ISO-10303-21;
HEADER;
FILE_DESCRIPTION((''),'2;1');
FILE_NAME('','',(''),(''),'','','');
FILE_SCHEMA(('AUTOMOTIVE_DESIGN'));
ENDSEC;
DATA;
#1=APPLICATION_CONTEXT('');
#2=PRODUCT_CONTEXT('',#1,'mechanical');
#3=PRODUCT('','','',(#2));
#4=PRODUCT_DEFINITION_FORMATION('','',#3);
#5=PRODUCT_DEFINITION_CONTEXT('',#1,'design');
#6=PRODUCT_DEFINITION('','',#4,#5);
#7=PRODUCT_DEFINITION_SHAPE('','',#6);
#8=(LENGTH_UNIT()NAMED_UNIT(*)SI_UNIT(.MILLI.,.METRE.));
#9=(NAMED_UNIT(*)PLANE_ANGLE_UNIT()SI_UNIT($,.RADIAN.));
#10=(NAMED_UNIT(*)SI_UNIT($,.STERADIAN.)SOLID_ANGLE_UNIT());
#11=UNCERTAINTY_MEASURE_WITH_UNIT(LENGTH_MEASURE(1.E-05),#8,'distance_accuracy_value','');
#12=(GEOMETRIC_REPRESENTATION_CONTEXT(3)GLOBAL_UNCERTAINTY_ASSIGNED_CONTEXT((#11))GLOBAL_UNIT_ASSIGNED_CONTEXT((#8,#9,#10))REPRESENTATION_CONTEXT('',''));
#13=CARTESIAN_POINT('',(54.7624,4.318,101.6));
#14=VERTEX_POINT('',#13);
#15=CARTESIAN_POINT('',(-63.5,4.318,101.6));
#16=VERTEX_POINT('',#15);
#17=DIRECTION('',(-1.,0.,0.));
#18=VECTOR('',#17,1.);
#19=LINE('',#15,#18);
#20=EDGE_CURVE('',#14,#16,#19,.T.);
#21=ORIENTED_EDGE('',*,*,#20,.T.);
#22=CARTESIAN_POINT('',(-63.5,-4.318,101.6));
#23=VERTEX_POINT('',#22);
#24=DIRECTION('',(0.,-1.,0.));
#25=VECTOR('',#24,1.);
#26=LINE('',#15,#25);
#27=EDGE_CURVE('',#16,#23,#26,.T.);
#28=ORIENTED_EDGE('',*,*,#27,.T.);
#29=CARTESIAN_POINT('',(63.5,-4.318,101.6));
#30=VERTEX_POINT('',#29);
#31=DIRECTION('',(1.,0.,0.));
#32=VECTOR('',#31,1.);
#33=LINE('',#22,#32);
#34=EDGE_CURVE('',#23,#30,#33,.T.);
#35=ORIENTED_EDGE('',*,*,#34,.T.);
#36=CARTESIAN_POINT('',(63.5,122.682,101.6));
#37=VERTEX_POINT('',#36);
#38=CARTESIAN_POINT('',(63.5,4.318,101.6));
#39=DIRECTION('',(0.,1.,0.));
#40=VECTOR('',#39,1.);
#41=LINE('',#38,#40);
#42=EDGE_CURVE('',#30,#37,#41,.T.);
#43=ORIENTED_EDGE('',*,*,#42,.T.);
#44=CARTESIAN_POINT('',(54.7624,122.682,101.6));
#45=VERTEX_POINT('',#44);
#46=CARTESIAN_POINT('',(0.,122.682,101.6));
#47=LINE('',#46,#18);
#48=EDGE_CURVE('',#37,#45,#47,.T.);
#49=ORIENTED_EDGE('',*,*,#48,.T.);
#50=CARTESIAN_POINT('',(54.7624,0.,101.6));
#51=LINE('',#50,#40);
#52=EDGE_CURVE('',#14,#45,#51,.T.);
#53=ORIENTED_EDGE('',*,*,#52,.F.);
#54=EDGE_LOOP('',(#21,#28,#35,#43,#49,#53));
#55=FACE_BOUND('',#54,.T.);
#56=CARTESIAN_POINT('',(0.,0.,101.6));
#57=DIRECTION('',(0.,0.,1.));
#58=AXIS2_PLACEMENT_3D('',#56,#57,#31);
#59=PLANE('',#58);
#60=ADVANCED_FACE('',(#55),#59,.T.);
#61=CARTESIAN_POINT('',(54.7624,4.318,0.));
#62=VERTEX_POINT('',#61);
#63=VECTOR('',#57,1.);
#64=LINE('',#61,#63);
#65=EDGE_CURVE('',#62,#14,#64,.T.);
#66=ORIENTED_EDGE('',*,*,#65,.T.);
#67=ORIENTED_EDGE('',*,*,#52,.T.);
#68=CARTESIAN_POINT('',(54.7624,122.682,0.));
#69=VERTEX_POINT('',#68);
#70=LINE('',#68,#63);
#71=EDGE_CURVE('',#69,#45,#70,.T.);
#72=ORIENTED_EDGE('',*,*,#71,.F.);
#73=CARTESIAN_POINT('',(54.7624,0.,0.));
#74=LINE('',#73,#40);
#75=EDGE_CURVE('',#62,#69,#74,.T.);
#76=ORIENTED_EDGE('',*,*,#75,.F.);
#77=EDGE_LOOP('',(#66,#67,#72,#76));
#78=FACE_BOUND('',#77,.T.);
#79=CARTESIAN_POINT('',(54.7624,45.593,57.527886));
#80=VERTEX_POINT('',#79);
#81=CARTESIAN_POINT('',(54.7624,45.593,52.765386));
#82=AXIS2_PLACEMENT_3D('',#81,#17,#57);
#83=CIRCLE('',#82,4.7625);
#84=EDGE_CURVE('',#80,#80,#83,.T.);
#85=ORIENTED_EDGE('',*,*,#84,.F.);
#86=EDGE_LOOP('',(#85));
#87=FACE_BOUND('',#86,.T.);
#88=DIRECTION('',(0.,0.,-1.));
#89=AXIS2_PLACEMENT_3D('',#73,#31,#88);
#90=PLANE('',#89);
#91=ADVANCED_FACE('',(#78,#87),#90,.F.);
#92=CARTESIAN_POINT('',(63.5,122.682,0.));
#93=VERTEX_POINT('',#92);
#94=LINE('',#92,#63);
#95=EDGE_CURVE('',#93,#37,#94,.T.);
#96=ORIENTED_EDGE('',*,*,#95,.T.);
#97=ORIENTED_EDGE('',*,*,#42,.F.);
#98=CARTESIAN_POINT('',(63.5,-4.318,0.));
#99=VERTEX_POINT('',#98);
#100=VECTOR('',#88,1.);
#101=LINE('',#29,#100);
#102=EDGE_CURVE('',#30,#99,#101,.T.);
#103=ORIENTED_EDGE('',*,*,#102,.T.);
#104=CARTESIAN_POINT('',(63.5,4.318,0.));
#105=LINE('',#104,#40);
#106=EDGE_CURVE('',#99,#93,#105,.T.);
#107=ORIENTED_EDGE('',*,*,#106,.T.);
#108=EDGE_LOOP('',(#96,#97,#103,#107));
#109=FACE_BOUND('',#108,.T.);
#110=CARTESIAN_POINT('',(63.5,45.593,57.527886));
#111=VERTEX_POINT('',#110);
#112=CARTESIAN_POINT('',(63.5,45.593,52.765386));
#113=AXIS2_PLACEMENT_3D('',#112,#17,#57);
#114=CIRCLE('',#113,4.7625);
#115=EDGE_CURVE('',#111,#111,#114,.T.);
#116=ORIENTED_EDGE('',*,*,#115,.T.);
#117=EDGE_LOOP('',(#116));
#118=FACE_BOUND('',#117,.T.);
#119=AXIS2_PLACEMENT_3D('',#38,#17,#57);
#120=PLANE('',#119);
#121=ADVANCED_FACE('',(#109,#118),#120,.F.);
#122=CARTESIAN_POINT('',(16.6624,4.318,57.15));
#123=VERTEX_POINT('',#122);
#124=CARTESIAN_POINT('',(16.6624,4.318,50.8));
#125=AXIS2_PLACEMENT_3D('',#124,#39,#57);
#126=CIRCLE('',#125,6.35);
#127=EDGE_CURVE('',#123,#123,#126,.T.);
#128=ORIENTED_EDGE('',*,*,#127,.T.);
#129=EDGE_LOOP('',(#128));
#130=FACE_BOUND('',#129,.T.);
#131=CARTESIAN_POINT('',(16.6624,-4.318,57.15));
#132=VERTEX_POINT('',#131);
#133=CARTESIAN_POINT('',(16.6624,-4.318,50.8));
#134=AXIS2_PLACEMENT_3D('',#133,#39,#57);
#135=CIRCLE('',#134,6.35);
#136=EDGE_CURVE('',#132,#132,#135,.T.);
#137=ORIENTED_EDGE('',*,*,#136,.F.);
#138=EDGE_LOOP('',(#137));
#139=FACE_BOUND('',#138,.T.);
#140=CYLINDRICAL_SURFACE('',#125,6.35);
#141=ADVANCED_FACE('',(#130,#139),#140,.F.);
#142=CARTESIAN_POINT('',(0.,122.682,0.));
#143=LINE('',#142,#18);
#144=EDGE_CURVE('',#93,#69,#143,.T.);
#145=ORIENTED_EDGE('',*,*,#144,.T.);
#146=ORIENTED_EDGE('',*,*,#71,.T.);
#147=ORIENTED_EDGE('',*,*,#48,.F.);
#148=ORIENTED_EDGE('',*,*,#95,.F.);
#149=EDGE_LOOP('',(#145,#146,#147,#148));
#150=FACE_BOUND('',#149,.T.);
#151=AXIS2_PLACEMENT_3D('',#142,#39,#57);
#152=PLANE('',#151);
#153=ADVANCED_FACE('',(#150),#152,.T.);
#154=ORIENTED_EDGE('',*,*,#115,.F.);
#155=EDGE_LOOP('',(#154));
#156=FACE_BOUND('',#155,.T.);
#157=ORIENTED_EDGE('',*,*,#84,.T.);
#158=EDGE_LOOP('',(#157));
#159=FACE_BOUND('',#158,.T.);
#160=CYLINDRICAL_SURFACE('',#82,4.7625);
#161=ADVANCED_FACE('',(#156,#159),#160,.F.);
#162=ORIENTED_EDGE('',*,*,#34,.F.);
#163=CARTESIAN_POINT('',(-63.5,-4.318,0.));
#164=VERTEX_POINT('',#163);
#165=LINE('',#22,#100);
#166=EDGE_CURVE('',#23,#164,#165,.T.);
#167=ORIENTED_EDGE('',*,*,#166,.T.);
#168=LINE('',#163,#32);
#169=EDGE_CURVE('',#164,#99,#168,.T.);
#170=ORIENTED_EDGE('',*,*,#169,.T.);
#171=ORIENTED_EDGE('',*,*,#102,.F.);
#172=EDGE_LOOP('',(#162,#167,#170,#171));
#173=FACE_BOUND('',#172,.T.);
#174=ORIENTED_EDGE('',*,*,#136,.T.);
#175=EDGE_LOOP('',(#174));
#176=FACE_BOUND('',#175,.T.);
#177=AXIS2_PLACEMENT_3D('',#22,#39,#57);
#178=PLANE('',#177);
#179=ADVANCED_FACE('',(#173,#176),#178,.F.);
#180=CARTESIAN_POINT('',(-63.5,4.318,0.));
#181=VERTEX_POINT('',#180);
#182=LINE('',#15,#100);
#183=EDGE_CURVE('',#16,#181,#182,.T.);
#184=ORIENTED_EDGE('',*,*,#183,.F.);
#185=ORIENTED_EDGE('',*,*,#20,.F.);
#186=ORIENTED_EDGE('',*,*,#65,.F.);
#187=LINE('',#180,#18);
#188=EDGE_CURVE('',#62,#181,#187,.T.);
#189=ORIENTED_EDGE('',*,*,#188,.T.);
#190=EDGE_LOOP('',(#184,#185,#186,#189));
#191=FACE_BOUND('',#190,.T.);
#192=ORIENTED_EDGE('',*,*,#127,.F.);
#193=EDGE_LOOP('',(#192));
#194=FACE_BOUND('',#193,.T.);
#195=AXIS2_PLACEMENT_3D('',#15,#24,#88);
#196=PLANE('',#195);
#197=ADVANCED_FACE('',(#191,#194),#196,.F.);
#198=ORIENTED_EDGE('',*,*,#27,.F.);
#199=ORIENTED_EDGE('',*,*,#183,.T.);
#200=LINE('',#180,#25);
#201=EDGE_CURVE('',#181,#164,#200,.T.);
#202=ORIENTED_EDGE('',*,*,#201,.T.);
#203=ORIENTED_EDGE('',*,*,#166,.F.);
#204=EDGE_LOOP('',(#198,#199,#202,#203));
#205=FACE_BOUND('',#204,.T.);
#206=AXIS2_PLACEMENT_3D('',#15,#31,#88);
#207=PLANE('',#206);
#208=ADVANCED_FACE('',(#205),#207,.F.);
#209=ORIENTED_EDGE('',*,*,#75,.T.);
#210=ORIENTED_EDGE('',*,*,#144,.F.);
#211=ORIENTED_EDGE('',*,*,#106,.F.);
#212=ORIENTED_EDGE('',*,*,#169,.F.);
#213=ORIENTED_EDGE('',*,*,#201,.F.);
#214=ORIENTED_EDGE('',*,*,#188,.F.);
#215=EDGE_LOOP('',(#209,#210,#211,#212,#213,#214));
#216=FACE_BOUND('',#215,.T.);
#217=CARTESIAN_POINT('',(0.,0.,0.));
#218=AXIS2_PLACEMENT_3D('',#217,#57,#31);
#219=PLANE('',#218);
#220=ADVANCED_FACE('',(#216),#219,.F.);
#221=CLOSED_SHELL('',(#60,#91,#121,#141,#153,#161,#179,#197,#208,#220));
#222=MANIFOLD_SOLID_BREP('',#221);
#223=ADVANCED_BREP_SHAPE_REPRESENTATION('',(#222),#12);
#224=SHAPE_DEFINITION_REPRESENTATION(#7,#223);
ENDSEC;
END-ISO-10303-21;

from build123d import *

# Parameters (mm, degrees)
SKETCH1_W                  = 127
SKETCH1_H                  = 8.636
BOSS_EXTRUDE1_DEPTH        = 101.6
SKETCH3_W                  = 8.7376
SKETCH3_H                  = 118.364
BOSS_EXTRUDE2_DEPTH        = 101.6
F_1_2_0_5000_DOWEL_HOLE2_D = 12.7
F_3_8_0_3750_DOWEL_HOLE3_D = 9.525


with BuildPart() as part:
    # Sketch1 → Boss-Extrude1 (new body)
    with BuildSketch(Plane.XY):
        Rectangle(SKETCH1_W, SKETCH1_H)
    extrude(amount=BOSS_EXTRUDE1_DEPTH)

    # Sketch3 → Boss-Extrude2 (add, through all)
    with BuildSketch(Plane.XY.offset(101.6)):
        with Locations((59.1312, 63.5)):
            Rectangle(SKETCH3_W, SKETCH3_H)
    extrude(amount=-BOSS_EXTRUDE2_DEPTH)

    # 1/2 (0.5000) Dowel Hole2 (through all)
    with Locations(Plane(origin=(16.6624, 4.318, 50.8), x_dir=(0, 0, 1), z_dir=(0, 1, 0))):
        with Locations((0, 0)):
            Hole(F_1_2_0_5000_DOWEL_HOLE2_D / 2)

    # 3/8 (0.3750) Dowel Hole3 (through all)
    with Locations(Plane(origin=(54.7624, 45.593, 52.765386082), x_dir=(0, 0, -1), z_dir=(-1, 0, 0))):
        with Locations((0, 0)):
            Hole(F_3_8_0_3750_DOWEL_HOLE3_D / 2)


solid = part.part
